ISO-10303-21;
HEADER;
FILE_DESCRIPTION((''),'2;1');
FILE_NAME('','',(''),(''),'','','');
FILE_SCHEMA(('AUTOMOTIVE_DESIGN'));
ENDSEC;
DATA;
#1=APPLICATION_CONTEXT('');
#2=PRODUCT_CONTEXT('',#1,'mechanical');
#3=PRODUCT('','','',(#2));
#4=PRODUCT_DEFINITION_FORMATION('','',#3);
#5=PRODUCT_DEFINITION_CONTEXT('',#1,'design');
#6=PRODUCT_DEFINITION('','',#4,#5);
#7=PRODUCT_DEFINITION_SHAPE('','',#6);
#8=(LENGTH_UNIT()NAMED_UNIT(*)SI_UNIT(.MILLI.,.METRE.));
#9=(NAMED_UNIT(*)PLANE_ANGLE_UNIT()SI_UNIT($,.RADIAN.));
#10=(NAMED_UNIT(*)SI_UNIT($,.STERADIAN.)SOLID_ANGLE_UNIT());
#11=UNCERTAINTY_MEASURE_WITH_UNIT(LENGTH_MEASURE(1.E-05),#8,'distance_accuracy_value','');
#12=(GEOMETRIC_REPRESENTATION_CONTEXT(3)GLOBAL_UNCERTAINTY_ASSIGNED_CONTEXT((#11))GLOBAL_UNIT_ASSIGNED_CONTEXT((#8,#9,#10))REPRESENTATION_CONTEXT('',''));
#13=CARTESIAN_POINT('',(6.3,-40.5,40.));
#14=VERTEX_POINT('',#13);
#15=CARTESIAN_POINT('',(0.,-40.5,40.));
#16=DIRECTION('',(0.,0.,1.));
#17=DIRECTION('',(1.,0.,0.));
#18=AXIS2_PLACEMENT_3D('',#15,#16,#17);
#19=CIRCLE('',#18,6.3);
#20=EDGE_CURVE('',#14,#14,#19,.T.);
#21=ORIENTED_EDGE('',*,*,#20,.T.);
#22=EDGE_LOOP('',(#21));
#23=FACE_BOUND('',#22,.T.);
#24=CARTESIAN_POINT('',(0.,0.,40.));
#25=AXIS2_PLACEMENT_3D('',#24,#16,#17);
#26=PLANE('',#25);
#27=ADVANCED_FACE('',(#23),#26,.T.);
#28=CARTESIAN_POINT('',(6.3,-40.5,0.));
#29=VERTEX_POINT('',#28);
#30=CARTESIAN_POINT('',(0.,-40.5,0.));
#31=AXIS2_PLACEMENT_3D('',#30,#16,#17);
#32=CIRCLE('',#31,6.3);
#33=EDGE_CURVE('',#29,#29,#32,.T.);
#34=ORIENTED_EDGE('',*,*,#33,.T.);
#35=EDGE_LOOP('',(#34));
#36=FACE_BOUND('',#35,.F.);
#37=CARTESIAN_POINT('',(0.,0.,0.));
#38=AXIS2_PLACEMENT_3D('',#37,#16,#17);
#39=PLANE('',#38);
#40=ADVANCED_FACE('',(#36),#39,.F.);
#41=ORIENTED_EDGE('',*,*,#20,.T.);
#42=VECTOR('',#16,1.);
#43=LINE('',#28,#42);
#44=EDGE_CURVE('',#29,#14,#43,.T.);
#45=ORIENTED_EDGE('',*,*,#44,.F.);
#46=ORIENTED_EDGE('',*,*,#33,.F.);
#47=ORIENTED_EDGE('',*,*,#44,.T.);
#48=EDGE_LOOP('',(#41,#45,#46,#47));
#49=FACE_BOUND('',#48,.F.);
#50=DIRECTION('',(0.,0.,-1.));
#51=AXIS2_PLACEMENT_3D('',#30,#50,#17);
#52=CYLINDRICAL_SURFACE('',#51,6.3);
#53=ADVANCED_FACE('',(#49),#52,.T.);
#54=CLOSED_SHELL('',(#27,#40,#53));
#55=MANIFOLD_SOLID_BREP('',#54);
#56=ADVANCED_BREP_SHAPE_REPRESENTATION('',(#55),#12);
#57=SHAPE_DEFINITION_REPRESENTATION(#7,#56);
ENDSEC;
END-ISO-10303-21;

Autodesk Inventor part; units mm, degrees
ref_plane "YZ Plane" through (0, 0, 0) normal (1, 0, 0) x (0, 1, 0)
ref_plane "XZ Plane" through (0, 0, 0) normal (0, 1, 0) x (-1, 0, 0)
ref_plane "XY Plane" through (0, 0, 0) normal (0, 0, 1) x (1, 0, 0)
sketch "スケッチ2" plane through (0, 0, 0) normal (0, 0, 1) x (1, 0, 0)
  circle A0 centre (0, -40.5) radius 6.3 projected
  point P0 (0, 0)
extrude "押し出し2" add sketch "スケッチ2" along normal blind 40
